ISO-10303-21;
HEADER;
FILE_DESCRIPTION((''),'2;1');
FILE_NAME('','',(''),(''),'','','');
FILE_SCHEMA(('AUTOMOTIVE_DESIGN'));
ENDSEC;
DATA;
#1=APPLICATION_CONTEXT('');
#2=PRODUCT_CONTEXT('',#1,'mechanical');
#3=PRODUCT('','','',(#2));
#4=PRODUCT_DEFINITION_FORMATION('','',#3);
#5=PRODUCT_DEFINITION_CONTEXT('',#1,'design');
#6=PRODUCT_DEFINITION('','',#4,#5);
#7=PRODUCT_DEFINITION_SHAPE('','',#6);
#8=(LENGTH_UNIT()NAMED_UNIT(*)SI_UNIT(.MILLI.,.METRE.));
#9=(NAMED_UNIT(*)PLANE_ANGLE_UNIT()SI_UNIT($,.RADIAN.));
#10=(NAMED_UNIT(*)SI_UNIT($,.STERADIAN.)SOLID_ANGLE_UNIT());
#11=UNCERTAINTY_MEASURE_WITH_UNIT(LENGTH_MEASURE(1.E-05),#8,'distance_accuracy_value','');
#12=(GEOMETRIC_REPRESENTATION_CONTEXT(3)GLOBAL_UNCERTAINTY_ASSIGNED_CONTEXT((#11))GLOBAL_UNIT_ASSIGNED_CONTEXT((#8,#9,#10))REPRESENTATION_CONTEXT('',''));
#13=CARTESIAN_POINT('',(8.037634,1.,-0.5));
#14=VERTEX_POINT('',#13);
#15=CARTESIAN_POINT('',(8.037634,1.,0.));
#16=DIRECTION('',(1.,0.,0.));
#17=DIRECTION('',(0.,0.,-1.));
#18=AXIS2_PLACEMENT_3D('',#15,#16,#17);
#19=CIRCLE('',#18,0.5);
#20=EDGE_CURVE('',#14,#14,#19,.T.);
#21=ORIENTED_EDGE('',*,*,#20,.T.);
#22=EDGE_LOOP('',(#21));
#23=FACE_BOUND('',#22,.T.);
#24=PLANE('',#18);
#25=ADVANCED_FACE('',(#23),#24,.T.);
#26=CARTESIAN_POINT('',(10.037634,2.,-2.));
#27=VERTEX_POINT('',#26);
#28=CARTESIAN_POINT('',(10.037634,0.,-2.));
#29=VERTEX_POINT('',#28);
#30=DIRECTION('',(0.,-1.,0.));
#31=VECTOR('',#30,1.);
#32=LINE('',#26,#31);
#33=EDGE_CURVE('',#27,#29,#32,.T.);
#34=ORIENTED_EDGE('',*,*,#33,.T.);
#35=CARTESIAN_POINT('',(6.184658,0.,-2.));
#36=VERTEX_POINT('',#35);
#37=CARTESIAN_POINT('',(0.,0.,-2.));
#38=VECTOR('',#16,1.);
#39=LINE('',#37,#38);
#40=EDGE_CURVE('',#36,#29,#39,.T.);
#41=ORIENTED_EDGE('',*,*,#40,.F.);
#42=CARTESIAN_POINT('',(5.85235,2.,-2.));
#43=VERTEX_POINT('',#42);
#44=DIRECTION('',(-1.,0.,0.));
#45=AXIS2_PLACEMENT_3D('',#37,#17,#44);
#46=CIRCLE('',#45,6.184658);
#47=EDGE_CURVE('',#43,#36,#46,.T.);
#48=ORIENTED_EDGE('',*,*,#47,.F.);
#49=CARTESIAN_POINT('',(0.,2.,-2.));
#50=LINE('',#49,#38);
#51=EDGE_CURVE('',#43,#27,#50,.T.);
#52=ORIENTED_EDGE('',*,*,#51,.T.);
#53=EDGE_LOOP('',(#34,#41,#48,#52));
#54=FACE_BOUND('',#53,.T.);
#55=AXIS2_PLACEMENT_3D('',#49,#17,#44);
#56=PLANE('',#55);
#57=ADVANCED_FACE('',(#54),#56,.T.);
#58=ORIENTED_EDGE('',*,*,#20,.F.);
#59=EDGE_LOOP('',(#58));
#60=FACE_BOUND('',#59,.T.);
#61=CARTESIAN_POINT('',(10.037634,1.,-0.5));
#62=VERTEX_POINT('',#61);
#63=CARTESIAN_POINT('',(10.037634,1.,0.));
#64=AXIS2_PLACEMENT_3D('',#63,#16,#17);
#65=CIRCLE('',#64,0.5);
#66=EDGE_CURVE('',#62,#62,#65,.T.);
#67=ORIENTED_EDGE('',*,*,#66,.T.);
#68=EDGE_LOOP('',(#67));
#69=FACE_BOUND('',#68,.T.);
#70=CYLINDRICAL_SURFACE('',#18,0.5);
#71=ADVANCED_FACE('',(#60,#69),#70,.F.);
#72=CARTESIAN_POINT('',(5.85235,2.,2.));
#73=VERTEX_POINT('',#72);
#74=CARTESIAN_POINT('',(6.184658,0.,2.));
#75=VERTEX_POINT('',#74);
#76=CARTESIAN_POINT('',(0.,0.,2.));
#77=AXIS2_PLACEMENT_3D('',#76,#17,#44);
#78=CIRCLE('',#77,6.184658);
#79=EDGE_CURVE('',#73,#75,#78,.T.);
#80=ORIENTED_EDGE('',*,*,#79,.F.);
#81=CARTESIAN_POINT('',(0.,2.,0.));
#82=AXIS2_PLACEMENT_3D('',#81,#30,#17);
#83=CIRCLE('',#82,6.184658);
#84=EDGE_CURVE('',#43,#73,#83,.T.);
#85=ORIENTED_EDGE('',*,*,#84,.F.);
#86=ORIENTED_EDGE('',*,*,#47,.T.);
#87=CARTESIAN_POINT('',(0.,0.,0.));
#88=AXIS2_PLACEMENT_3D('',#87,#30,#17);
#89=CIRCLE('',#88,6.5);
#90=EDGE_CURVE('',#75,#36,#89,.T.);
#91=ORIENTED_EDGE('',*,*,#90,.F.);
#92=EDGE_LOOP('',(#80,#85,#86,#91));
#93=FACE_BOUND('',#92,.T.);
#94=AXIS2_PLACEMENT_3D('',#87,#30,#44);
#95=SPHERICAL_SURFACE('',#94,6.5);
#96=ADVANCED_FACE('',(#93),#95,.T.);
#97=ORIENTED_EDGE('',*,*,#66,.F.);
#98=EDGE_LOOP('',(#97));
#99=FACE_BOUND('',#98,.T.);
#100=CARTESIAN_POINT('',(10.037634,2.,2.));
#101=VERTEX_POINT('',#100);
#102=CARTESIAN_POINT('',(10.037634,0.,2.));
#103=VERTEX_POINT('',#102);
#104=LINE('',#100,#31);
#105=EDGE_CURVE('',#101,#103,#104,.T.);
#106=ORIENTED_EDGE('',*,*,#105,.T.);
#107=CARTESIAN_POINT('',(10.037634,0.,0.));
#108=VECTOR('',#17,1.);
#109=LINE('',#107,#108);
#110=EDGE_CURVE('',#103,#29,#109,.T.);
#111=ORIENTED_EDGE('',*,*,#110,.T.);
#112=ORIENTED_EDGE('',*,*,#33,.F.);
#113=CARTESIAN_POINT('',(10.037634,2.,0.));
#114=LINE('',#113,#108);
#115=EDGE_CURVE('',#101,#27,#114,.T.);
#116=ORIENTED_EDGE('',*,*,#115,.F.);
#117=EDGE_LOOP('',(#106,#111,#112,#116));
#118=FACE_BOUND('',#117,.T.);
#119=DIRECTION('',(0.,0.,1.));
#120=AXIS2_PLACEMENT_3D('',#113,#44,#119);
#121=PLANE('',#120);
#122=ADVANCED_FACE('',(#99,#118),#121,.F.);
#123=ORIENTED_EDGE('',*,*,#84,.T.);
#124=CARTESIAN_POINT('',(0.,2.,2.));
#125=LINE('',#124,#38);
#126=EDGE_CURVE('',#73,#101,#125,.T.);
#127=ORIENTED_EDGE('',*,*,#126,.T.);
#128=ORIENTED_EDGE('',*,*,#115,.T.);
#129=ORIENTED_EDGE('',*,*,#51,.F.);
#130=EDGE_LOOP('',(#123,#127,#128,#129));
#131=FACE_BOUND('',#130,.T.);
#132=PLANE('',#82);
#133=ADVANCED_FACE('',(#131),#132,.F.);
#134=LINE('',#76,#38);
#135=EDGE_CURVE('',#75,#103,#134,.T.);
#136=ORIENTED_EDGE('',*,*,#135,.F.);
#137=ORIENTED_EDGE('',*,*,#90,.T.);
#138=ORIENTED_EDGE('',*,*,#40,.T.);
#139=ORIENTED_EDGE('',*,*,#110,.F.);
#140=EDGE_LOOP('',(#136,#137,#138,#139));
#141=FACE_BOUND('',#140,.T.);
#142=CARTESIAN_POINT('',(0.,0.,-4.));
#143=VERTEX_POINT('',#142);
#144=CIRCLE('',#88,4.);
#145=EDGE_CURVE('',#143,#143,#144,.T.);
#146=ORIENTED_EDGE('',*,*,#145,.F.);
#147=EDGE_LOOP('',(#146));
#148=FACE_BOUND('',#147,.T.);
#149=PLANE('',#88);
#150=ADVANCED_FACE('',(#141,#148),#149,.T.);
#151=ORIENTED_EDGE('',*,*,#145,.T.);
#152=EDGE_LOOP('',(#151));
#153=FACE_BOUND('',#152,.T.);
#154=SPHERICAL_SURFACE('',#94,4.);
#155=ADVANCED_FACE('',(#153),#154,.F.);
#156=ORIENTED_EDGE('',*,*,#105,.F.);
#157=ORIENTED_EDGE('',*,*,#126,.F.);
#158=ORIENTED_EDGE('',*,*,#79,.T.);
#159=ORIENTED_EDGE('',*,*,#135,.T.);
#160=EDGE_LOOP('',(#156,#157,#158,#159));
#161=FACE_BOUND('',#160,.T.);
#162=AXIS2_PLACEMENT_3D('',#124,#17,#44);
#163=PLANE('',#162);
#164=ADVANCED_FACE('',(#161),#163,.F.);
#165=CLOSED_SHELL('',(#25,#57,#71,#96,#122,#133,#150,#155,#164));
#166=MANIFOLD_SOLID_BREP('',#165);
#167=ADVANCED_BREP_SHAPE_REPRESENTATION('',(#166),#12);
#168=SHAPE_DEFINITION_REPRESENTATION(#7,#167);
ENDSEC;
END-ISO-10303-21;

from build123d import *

# Parameters (mm, degrees)
BOSS_EXTRUDE1_DEPTH = 2
SKETCH3_R           = 0.5
CUT_EXTRUDE1_DEPTH  = 2


with BuildPart() as part:
    # Sketch1 → Revolve1 (revolve)
    with BuildSketch(Plane.XY):
        with BuildLine():
            ThreePointArc((-4, 0), (-2.828427125, 2.828427125), (0, 4))
            Line((0, 4), (0, 4.973305283))
            Line((0, 4.973305283), (0, 6.5))
            ThreePointArc((0, 6.5), (-4.596194078, 4.596194078), (-6.5, 0))
            Line((-6.5, 0), (-4, 0))
        make_face()
    revolve(axis=Axis((0, 0, 0), (0, 1, 0)))

    # Sketch2 → Boss-Extrude1 (add)
    with BuildSketch(Plane.XZ):
        with BuildLine():
            Line((10.037634205, 2), (3.464101615, 2))
            ThreePointArc((3.464101615, 2), (4, 0), (3.464101615, -2))
            Line((3.464101615, -2), (10.037634205, -2))
            Line((10.037634205, -2), (10.037634205, 2))
        make_face()
    extrude(amount=-BOSS_EXTRUDE1_DEPTH)

    # Sketch3 → Cut-Extrude1 (cut)
    with BuildSketch(Plane(origin=(10.037634205, 0, 0), x_dir=(0, 0, -1), z_dir=(1, 0, 0))):
        with Locations((0, 1)):
            Circle(SKETCH3_R)
    extrude(amount=-CUT_EXTRUDE1_DEPTH, mode=Mode.SUBTRACT)


solid = part.part
